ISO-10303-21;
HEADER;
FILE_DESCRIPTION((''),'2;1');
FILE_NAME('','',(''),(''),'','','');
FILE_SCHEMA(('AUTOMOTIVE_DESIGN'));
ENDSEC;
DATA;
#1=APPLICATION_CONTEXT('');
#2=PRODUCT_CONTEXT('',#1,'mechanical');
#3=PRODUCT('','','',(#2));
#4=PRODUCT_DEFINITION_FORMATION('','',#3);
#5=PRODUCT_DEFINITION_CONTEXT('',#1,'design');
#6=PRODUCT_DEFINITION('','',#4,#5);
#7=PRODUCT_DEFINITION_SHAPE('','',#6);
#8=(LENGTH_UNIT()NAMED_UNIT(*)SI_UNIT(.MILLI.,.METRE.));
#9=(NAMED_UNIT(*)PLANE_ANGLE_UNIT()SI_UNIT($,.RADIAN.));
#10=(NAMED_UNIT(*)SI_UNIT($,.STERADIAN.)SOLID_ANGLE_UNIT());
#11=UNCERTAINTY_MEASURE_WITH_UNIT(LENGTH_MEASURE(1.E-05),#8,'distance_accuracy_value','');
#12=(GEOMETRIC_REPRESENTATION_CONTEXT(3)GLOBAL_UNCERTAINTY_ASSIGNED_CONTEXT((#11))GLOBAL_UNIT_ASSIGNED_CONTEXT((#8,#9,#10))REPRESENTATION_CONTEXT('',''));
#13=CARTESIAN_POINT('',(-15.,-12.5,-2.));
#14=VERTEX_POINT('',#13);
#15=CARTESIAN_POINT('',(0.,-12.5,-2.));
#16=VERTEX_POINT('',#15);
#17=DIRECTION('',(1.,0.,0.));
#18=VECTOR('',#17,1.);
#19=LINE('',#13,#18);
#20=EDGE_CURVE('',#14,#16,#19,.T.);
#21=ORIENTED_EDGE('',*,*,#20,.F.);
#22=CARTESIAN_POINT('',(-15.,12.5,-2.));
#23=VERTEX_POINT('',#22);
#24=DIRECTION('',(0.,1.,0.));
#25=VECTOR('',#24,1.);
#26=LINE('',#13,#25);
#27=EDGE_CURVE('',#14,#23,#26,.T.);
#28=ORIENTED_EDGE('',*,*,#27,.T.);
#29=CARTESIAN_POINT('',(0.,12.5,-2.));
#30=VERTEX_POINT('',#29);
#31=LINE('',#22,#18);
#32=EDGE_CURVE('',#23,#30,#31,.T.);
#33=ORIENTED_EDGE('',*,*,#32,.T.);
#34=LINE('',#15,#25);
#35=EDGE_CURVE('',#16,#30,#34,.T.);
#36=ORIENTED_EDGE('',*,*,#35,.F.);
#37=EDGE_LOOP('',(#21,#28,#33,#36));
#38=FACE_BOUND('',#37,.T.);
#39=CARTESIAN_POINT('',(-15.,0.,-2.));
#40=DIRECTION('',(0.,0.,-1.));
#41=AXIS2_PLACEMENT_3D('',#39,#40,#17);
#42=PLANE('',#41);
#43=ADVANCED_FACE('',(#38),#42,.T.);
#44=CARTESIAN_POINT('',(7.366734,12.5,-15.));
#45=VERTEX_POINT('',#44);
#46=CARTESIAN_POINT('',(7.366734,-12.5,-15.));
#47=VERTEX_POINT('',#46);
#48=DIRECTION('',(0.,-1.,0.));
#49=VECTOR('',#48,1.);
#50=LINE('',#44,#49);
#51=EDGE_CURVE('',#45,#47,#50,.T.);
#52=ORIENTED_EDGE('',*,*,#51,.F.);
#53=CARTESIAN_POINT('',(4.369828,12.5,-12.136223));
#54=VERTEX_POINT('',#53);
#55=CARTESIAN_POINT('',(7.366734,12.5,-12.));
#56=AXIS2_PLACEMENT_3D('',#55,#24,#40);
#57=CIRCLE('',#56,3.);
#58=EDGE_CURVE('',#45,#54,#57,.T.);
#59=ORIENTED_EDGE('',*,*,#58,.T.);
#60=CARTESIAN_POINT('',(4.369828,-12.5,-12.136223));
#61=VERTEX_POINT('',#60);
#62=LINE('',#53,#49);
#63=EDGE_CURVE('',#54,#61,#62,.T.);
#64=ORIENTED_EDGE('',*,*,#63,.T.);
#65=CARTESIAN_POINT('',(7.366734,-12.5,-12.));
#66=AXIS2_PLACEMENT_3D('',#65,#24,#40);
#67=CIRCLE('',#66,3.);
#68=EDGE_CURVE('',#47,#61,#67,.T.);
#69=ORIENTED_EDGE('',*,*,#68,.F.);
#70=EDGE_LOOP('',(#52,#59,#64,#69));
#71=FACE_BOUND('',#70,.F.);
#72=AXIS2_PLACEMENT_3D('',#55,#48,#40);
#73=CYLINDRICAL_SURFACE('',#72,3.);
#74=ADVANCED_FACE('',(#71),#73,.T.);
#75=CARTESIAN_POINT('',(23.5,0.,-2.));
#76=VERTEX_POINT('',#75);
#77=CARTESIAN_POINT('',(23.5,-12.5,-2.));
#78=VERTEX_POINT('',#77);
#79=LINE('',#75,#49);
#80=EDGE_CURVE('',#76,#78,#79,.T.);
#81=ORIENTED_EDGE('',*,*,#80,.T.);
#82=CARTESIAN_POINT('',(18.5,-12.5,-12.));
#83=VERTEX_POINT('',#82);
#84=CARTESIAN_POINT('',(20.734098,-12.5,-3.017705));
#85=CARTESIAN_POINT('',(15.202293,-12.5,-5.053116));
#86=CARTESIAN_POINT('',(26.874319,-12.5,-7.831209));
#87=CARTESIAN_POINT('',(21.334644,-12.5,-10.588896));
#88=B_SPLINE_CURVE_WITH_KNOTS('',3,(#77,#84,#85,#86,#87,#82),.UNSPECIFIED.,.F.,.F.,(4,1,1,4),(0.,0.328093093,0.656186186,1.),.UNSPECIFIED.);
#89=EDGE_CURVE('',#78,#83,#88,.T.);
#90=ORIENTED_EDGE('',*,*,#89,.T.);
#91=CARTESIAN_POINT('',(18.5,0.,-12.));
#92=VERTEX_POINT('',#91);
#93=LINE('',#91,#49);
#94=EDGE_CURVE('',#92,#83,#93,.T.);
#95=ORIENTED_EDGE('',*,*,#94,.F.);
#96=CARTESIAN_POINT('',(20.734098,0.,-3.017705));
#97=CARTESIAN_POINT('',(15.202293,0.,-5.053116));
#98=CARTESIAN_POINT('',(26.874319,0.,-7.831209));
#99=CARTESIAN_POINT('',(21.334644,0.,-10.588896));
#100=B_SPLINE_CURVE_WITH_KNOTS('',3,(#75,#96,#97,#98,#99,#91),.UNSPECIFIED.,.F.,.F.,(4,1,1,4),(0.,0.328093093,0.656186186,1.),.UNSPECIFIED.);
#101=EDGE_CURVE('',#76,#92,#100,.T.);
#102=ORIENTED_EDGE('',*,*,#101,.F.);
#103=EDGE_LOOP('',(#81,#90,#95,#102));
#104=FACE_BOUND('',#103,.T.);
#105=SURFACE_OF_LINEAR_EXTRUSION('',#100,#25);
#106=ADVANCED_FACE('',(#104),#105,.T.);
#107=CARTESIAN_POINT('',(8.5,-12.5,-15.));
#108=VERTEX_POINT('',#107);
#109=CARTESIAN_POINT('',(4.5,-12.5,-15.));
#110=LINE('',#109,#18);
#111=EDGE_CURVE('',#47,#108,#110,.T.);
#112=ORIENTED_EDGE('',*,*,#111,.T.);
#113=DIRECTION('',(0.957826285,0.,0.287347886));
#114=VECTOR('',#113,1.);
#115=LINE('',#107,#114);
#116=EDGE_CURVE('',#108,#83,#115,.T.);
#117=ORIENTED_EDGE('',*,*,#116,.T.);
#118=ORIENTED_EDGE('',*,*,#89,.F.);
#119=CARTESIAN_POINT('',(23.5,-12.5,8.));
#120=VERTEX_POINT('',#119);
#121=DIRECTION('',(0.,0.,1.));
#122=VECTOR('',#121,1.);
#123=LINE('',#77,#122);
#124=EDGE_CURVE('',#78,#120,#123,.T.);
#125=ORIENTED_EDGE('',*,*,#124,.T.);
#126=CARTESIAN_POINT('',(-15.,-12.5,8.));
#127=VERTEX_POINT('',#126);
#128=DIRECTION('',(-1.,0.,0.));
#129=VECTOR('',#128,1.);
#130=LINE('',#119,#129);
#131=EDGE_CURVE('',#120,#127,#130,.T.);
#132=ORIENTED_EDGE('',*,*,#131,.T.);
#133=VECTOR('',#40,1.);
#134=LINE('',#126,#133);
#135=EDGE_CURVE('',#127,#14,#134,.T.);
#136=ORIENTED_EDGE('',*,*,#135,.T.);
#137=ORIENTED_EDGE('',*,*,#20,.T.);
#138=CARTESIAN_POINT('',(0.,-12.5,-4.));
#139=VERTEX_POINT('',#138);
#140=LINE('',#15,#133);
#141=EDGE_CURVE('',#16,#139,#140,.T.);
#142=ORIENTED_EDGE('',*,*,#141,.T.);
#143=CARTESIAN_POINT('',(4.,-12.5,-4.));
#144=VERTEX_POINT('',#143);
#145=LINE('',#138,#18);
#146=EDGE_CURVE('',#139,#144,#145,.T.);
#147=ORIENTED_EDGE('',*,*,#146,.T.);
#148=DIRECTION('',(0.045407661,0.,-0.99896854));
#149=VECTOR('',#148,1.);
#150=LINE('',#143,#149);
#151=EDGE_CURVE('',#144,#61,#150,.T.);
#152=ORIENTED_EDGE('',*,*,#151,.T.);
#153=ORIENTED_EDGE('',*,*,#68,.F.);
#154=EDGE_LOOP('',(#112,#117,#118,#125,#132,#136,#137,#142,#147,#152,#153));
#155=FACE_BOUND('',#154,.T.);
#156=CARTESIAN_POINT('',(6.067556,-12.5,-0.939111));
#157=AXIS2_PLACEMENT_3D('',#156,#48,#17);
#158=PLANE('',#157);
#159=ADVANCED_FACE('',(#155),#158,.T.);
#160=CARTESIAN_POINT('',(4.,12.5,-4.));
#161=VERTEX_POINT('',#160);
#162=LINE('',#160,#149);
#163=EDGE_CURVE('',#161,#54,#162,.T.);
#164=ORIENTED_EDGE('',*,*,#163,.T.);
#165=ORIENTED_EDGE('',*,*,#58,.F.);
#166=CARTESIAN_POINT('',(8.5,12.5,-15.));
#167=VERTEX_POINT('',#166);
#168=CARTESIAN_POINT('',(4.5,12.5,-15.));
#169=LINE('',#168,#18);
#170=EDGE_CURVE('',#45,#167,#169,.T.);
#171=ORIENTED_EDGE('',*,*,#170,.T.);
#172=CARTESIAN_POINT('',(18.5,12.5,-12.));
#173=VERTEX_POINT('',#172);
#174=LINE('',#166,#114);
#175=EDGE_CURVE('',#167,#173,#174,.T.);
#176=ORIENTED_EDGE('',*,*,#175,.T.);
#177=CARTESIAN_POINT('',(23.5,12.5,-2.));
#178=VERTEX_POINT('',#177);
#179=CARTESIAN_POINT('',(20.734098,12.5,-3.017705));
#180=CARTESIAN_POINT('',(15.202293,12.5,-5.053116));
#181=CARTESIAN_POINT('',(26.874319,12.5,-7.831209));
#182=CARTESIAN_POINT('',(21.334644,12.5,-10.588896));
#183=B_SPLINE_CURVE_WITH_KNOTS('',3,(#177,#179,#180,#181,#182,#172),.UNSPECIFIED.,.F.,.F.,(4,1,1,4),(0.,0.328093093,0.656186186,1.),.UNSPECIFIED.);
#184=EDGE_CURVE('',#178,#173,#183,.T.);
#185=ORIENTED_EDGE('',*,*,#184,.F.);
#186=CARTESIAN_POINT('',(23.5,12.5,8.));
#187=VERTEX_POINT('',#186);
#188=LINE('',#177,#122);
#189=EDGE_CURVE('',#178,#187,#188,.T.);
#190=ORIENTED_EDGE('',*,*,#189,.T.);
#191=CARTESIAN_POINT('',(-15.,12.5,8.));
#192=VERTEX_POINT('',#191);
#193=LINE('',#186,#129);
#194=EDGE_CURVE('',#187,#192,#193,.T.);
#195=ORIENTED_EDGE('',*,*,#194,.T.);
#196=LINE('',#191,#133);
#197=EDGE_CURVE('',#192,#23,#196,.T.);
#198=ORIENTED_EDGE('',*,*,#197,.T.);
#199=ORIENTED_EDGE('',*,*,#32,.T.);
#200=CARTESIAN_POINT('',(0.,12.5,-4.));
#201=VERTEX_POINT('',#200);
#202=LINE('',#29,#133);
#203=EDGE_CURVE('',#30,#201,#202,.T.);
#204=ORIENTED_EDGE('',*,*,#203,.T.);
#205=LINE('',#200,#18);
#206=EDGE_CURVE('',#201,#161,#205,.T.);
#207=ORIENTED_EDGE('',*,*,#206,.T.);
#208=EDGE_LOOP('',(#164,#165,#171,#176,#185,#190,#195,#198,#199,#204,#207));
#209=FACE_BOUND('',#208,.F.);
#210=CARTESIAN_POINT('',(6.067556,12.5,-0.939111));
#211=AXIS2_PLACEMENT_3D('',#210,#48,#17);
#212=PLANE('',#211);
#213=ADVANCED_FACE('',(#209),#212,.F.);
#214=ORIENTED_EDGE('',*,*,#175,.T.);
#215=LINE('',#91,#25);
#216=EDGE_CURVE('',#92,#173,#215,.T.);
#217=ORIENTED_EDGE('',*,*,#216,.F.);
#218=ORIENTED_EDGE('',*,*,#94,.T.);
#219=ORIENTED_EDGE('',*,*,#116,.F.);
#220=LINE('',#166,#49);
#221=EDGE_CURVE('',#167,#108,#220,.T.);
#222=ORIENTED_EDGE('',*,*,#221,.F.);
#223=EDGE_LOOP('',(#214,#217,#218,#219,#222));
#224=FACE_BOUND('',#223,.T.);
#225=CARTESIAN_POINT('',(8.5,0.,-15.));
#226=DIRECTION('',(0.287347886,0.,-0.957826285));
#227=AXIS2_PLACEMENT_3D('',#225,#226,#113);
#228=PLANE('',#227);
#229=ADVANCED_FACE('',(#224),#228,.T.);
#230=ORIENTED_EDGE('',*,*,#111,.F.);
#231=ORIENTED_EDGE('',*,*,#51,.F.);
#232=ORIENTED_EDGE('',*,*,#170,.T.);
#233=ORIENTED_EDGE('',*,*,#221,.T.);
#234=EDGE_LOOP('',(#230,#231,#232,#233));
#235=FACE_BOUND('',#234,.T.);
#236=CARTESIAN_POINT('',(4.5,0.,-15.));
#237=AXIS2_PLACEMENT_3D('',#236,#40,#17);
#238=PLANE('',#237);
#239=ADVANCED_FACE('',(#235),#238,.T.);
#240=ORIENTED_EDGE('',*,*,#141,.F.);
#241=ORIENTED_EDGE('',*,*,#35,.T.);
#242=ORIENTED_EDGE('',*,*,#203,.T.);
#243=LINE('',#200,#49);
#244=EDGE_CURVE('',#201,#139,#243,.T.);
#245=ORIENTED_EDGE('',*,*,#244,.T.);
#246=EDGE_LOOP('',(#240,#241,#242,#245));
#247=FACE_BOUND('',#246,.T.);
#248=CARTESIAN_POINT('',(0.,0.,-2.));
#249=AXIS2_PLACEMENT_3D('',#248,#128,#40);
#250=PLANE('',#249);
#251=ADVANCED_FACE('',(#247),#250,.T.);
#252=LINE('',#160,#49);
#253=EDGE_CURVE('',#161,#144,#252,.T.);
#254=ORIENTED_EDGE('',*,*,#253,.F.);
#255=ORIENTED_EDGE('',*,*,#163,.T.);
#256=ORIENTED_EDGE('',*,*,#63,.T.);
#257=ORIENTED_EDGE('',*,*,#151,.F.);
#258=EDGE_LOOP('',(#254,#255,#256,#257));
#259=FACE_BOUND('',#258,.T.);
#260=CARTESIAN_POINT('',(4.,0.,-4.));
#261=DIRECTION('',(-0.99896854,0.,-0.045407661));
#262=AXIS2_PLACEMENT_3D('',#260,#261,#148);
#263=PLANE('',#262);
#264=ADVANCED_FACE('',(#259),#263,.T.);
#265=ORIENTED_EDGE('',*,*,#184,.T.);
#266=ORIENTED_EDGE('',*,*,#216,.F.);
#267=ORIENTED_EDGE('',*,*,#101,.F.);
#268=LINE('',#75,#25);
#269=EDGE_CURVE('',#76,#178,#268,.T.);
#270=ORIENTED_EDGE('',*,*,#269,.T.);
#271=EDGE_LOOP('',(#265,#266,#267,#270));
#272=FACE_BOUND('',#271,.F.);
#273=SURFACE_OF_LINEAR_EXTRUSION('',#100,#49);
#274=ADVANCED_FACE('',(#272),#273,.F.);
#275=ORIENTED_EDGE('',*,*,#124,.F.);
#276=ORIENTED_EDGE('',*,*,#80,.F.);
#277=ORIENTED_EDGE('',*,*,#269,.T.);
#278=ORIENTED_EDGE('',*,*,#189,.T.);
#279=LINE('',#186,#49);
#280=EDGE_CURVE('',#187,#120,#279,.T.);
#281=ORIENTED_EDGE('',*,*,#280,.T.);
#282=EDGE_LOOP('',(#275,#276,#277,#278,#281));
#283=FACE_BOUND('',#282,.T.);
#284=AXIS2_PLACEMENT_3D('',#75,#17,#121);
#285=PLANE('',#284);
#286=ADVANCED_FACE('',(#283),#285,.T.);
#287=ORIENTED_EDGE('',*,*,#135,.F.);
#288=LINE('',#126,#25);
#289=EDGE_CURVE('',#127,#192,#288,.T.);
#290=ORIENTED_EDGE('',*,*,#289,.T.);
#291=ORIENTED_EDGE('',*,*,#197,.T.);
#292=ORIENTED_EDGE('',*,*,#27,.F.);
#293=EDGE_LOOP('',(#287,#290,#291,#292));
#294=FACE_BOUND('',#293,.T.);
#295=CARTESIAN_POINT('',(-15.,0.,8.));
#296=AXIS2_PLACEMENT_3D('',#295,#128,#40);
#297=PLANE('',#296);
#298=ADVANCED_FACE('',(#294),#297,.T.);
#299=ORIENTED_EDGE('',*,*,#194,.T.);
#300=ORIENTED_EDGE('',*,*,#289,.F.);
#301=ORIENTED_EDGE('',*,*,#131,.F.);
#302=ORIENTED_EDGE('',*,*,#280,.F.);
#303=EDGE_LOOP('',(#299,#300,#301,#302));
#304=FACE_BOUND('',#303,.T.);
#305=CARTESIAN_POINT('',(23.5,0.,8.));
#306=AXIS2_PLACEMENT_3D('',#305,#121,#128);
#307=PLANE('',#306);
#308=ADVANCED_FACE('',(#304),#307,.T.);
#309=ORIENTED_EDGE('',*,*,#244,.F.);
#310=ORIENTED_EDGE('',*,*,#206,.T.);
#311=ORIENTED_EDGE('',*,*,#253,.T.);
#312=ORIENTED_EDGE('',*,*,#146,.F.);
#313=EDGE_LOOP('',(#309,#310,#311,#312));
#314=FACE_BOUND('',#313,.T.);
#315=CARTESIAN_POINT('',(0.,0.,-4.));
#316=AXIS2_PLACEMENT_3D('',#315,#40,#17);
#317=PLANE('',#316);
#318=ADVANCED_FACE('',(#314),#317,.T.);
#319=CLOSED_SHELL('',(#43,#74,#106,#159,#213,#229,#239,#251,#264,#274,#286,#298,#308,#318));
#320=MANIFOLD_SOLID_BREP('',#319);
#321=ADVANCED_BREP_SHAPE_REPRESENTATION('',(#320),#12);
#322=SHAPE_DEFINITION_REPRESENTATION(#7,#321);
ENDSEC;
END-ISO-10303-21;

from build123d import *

# Parameters (mm, degrees)
F1_DEPTH = 12.5
F2_R     = 3


with BuildPart() as f1:
    # F0 (on Front) → F1 (new body, symmetric)
    with BuildSketch(Plane.XZ):
        with BuildLine():
            Line((0, -2), (0, -4))
            Line((0, -4), (4, -4))
            Line((4, -4), (4.5, -15))
            Line((4.5, -15), (8.5, -15))
            Line((8.5, -15), (18.5, -12))
            add(Edge.make_bspline(
                [(23.5, -2), (20.7340978267, -3.0177053618), (15.2022934801, -5.0531160855), (26.8743187374, -7.8312092875), (21.3346438213, -10.5888957411), (18.5, -12)],
                knots=[0, 0, 0, 0, 0.3280930929, 0.6561861857, 1, 1, 1, 1], degree=3))
            Line((23.5, -2), (23.5, 0))
            Line((23.5, 0), (23.5, 8))
            Line((23.5, 8), (0, 8))
            Line((0, 8), (-15, 8))
            Line((-15, 8), (-15, 0))
            Line((-15, 0), (-15, -2))
            Line((-15, -2), (0, -2))
        make_face()
    extrude(amount=F1_DEPTH, both=True)

    # F2
    f2_edges = [f1.edges().sort_by_distance(p)[0] for p in [
        (4.5, 0, -15),
    ]]
    fillet(f2_edges, radius=F2_R)


solid = f1.part
